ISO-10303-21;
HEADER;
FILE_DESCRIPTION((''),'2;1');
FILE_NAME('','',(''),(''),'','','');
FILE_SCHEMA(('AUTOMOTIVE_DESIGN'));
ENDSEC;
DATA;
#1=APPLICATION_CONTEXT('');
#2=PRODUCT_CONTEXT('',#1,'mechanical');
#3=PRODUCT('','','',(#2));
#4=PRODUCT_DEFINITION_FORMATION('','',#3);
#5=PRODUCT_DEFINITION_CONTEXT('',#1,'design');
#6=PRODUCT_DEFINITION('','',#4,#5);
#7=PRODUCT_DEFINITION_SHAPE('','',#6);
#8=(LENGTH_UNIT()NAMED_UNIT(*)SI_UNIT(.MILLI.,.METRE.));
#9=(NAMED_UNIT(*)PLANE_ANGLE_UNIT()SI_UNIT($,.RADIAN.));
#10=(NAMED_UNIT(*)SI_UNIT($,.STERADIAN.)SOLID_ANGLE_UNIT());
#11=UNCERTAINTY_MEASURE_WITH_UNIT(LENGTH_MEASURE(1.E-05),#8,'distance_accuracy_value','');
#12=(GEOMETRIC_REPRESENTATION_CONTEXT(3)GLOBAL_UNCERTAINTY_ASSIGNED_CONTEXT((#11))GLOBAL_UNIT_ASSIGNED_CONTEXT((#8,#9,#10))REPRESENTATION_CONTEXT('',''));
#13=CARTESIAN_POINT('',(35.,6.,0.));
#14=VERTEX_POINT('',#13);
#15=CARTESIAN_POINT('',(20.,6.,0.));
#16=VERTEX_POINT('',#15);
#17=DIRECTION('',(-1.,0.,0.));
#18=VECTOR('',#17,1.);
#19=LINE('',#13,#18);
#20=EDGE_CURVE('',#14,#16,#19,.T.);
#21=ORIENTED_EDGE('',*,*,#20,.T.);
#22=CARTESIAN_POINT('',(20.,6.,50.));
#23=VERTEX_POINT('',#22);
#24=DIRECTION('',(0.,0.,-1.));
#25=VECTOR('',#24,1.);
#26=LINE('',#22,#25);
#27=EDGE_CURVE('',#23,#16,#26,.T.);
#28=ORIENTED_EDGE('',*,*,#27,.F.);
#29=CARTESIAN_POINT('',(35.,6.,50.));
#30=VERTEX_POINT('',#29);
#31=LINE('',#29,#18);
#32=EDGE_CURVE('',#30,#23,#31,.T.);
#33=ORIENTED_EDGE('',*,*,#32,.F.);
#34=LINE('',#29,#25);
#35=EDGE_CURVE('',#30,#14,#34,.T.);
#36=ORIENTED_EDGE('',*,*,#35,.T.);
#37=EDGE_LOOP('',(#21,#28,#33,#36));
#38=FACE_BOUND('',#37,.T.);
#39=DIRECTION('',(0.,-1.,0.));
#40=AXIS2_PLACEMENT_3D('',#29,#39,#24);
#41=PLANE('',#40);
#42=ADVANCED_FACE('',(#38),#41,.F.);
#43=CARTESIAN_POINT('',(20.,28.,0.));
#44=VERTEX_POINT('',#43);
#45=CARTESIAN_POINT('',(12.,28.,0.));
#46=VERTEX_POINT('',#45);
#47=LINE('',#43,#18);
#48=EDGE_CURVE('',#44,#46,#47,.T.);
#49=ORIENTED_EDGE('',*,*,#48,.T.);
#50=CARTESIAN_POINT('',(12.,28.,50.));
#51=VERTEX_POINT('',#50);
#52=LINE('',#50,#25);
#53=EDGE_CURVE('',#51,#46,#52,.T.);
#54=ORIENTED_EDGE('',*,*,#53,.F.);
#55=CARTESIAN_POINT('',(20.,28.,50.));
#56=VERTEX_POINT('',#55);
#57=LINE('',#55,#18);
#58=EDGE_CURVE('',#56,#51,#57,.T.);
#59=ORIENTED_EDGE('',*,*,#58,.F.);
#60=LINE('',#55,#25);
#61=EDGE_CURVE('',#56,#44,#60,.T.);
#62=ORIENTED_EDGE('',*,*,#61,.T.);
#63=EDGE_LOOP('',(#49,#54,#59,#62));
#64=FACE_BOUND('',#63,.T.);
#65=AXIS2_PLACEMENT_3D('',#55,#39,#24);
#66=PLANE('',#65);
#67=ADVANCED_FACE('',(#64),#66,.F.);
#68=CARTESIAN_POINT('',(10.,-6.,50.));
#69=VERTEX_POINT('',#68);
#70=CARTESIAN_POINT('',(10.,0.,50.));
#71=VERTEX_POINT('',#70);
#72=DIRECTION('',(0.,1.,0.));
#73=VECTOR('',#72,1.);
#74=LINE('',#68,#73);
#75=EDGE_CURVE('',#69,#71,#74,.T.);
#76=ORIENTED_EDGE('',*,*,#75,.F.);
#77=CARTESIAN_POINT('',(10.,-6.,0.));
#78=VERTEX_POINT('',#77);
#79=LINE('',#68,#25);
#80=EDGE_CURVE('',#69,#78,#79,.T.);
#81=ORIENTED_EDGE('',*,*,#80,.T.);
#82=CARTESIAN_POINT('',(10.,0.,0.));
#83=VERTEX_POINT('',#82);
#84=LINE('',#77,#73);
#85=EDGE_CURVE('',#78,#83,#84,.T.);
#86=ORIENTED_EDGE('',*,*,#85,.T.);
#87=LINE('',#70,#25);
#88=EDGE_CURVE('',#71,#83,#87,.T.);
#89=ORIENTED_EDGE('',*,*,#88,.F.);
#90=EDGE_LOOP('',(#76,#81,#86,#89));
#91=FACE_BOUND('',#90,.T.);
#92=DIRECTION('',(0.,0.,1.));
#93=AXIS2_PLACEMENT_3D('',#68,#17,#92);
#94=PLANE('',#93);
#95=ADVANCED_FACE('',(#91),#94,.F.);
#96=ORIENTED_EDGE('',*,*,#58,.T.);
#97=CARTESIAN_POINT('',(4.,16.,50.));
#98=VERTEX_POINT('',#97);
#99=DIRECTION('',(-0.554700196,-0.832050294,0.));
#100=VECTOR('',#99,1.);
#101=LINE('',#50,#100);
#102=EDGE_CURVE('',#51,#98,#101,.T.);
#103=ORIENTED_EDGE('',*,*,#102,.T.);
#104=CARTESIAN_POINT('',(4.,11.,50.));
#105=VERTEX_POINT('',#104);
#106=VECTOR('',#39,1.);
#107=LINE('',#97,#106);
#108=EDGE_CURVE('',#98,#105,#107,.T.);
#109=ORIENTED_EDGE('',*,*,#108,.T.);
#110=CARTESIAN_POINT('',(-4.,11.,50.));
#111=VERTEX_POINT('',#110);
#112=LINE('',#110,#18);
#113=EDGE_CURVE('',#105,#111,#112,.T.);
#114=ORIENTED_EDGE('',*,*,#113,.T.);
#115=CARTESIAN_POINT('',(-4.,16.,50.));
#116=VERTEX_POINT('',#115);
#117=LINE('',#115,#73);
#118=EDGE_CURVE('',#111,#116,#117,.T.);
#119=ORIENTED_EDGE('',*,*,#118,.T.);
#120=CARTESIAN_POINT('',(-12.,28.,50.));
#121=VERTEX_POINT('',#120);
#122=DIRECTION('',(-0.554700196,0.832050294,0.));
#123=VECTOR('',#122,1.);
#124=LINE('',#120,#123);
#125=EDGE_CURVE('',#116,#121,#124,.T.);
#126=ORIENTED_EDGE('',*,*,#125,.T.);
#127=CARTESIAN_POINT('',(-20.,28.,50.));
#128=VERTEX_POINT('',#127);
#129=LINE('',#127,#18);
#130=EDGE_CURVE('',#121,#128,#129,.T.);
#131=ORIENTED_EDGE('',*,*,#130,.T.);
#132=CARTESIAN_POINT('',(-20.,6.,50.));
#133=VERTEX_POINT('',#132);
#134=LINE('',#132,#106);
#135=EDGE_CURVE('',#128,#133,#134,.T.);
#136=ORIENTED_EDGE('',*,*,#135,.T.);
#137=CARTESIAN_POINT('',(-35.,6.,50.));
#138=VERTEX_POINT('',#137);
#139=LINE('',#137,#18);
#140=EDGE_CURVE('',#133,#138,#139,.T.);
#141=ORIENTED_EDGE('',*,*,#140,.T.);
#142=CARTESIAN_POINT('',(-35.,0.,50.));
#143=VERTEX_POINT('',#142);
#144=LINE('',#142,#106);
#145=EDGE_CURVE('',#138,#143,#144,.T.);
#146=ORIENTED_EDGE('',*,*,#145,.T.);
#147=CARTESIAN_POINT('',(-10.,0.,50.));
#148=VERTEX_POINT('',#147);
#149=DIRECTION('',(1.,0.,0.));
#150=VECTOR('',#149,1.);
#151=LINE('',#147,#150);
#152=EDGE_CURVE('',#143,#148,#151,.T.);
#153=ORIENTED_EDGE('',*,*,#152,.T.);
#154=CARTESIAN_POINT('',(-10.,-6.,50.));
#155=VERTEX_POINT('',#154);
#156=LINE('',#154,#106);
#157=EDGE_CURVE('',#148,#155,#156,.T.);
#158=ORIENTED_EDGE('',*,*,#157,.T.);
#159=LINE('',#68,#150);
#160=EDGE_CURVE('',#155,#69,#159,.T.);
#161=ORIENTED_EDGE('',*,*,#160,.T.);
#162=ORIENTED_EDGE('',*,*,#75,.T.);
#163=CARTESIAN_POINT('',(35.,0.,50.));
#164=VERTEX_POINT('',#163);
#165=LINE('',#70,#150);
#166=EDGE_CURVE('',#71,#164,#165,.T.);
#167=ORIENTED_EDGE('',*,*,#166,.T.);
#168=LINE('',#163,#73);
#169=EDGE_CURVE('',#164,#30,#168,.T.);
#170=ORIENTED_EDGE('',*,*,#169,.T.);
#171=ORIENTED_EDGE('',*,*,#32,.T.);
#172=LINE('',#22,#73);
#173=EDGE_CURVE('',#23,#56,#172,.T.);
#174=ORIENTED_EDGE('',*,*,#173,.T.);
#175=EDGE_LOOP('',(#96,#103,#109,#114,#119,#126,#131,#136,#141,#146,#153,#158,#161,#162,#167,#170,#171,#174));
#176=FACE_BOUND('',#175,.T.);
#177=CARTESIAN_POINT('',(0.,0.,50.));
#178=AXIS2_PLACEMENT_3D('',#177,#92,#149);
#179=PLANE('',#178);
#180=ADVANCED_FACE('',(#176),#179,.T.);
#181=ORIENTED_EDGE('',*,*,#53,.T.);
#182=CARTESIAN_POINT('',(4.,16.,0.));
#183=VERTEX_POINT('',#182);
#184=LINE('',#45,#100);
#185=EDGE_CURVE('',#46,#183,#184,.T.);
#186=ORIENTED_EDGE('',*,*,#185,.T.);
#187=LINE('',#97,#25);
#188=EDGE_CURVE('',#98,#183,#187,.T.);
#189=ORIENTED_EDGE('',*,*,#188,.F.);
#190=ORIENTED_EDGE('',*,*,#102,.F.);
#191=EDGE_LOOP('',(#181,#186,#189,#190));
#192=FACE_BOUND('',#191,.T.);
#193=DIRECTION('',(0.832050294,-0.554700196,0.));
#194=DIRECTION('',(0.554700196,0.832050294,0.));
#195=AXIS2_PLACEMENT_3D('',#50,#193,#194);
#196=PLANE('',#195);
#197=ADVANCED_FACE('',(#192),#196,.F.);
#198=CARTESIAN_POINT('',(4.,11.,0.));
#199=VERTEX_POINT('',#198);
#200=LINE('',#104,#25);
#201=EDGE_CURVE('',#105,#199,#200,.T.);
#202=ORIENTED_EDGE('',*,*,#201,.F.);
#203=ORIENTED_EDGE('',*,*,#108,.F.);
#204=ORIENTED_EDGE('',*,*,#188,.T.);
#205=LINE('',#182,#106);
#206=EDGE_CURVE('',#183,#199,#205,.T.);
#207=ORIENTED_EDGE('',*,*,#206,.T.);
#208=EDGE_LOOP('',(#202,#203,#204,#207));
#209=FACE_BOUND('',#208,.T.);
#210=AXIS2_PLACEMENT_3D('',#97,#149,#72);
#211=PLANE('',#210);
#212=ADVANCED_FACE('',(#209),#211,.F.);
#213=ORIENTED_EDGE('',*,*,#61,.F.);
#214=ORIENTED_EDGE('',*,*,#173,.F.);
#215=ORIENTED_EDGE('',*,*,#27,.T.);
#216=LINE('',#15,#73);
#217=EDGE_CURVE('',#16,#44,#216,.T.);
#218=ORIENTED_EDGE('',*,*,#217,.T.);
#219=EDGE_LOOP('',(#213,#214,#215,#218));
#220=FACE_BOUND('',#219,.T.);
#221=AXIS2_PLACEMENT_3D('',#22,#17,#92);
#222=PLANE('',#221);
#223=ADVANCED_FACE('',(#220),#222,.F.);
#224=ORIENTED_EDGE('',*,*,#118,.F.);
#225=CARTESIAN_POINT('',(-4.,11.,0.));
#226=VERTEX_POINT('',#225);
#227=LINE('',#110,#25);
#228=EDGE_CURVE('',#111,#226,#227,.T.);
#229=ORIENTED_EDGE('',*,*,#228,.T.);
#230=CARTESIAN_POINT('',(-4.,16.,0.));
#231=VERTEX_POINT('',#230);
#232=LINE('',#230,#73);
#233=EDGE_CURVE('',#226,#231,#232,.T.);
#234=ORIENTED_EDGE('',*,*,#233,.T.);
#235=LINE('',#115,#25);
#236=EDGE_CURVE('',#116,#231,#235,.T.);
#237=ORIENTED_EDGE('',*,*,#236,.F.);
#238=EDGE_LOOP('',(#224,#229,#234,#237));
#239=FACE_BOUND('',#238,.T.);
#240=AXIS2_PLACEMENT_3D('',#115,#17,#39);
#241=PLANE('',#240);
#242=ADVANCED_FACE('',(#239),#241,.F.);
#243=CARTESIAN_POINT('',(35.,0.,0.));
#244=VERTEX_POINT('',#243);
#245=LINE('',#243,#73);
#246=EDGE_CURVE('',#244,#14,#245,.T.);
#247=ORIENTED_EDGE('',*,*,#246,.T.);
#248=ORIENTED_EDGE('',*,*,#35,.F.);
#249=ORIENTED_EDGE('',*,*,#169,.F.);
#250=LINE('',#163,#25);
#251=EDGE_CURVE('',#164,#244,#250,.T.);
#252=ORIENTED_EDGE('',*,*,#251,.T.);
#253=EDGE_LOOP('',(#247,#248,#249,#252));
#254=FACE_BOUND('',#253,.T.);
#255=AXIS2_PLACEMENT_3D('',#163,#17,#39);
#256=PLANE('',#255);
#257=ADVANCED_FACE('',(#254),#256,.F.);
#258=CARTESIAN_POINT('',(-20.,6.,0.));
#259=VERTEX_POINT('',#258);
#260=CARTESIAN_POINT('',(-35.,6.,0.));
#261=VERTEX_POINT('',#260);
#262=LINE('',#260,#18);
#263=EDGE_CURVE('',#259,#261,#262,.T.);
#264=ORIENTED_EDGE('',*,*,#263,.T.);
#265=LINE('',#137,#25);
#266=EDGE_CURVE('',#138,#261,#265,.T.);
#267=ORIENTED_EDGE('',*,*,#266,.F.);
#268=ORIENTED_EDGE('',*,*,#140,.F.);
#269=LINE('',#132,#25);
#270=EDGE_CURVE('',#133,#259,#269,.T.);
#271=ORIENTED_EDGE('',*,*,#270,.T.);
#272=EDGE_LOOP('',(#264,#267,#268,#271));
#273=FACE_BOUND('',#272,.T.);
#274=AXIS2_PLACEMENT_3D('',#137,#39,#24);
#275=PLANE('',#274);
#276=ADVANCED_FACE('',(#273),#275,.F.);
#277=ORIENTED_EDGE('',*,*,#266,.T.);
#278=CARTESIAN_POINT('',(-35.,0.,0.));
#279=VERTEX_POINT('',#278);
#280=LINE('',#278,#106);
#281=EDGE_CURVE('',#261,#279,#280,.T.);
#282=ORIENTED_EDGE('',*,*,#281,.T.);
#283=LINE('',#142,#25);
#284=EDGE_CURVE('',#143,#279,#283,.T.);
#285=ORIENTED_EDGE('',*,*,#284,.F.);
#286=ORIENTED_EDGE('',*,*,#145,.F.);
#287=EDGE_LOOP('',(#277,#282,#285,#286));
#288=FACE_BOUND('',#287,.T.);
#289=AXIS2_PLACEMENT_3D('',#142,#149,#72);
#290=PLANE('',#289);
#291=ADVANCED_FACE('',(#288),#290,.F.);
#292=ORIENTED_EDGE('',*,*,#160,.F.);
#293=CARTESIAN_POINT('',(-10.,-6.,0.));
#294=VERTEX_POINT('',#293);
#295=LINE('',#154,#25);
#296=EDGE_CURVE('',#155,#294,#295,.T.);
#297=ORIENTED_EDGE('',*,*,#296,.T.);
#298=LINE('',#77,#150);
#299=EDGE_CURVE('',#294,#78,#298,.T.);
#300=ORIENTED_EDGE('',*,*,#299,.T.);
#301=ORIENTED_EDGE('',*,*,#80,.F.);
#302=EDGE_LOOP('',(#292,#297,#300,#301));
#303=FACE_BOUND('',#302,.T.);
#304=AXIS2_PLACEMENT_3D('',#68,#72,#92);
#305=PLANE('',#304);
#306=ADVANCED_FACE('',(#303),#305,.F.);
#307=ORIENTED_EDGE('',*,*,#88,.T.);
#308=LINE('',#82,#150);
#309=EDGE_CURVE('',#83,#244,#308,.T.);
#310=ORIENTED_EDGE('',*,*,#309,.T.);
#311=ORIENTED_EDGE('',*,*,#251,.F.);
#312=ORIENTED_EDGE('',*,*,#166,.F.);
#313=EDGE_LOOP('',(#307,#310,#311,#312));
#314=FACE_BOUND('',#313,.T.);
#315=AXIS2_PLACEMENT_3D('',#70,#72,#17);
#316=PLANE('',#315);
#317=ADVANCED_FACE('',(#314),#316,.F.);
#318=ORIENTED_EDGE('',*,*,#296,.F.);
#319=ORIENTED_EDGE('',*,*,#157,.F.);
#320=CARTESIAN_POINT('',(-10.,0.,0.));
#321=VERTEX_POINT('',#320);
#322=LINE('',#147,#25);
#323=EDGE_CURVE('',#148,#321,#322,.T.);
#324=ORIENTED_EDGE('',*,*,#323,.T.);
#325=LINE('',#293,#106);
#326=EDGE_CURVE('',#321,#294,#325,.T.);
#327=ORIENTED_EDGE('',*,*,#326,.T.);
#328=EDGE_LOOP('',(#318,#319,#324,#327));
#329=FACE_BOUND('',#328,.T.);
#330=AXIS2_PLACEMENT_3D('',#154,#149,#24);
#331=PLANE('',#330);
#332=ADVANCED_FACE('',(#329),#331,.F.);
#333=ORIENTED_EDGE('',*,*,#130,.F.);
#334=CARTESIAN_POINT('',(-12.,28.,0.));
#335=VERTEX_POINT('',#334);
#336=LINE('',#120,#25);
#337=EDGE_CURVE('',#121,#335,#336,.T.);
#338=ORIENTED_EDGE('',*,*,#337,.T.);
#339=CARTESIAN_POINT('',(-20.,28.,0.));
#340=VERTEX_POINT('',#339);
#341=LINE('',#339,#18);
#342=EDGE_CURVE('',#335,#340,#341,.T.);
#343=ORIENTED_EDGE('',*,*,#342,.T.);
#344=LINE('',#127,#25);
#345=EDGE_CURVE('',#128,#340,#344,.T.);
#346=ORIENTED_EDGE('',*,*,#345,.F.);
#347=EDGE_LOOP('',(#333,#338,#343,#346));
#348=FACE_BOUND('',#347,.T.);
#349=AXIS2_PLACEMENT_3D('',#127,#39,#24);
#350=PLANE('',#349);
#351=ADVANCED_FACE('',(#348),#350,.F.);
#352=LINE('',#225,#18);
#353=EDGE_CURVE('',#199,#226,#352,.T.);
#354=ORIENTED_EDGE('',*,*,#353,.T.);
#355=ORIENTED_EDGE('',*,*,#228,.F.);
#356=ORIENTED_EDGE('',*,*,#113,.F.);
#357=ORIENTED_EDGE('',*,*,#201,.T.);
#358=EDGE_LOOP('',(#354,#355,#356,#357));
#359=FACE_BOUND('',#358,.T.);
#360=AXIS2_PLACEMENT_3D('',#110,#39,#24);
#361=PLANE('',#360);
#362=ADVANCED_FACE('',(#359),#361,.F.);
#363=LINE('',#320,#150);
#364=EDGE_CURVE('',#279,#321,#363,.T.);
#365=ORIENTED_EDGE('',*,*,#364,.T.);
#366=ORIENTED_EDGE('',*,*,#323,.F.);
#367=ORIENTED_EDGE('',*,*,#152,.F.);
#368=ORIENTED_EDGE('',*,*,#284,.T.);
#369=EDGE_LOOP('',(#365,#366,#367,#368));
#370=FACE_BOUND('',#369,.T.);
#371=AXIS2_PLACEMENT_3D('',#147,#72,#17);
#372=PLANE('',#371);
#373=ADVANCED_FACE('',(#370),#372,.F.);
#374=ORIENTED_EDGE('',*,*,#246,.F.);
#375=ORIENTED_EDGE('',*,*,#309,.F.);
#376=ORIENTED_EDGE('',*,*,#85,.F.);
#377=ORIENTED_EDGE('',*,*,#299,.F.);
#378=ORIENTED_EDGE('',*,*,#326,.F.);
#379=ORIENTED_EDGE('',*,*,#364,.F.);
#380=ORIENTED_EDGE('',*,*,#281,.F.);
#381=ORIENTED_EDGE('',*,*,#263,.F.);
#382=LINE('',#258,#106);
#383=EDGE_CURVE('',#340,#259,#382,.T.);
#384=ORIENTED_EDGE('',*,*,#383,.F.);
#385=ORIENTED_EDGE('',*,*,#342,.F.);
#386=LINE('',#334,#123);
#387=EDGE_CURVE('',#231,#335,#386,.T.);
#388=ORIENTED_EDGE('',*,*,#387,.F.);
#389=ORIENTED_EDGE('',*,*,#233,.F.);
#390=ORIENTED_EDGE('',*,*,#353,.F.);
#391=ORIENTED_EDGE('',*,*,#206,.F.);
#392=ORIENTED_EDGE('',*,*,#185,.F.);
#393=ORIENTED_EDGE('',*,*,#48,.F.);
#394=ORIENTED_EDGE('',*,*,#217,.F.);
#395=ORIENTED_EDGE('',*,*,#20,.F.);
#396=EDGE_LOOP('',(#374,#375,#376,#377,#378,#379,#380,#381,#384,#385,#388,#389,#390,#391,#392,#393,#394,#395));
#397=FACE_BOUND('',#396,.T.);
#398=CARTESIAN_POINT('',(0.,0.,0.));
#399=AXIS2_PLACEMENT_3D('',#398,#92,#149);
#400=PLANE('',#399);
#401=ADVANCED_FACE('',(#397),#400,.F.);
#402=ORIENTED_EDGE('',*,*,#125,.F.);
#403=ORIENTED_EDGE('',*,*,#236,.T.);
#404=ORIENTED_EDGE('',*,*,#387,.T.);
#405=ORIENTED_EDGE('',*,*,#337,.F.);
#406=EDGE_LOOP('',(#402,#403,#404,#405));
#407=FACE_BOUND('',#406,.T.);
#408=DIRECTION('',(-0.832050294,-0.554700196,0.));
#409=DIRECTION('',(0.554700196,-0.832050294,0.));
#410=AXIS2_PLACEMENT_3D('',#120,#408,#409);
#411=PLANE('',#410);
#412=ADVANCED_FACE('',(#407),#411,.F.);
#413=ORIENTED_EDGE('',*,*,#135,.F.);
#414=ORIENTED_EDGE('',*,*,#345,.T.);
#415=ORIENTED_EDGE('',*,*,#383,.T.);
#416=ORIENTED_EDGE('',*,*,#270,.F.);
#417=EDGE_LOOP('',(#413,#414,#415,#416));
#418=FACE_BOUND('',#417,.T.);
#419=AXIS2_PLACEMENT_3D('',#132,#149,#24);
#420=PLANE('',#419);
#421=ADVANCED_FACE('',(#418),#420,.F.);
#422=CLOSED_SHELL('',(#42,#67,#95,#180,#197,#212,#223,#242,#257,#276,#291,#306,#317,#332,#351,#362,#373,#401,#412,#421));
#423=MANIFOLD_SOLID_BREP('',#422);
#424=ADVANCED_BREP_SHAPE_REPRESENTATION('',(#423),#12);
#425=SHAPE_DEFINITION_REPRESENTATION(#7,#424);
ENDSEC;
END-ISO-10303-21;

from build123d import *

# Parameters (mm, degrees)
BOSS_EXTRUDE1_DEPTH = 50


with BuildPart() as part:
    # Sketch1 → Boss-Extrude1 (new body)
    with BuildSketch(Plane.XY):
        Polygon((10, -6), (-10, -6), (-10, 0), (-35, 0), (-35, 6), (-20, 6), (-20, 28), (-12, 28), (-4, 16), (-4, 11), (4, 11), (4, 16), (12, 28), (20, 28), (20, 6), (35, 6), (35, 0), (10, 0), align=None)
    extrude(amount=BOSS_EXTRUDE1_DEPTH)


solid = part.part
